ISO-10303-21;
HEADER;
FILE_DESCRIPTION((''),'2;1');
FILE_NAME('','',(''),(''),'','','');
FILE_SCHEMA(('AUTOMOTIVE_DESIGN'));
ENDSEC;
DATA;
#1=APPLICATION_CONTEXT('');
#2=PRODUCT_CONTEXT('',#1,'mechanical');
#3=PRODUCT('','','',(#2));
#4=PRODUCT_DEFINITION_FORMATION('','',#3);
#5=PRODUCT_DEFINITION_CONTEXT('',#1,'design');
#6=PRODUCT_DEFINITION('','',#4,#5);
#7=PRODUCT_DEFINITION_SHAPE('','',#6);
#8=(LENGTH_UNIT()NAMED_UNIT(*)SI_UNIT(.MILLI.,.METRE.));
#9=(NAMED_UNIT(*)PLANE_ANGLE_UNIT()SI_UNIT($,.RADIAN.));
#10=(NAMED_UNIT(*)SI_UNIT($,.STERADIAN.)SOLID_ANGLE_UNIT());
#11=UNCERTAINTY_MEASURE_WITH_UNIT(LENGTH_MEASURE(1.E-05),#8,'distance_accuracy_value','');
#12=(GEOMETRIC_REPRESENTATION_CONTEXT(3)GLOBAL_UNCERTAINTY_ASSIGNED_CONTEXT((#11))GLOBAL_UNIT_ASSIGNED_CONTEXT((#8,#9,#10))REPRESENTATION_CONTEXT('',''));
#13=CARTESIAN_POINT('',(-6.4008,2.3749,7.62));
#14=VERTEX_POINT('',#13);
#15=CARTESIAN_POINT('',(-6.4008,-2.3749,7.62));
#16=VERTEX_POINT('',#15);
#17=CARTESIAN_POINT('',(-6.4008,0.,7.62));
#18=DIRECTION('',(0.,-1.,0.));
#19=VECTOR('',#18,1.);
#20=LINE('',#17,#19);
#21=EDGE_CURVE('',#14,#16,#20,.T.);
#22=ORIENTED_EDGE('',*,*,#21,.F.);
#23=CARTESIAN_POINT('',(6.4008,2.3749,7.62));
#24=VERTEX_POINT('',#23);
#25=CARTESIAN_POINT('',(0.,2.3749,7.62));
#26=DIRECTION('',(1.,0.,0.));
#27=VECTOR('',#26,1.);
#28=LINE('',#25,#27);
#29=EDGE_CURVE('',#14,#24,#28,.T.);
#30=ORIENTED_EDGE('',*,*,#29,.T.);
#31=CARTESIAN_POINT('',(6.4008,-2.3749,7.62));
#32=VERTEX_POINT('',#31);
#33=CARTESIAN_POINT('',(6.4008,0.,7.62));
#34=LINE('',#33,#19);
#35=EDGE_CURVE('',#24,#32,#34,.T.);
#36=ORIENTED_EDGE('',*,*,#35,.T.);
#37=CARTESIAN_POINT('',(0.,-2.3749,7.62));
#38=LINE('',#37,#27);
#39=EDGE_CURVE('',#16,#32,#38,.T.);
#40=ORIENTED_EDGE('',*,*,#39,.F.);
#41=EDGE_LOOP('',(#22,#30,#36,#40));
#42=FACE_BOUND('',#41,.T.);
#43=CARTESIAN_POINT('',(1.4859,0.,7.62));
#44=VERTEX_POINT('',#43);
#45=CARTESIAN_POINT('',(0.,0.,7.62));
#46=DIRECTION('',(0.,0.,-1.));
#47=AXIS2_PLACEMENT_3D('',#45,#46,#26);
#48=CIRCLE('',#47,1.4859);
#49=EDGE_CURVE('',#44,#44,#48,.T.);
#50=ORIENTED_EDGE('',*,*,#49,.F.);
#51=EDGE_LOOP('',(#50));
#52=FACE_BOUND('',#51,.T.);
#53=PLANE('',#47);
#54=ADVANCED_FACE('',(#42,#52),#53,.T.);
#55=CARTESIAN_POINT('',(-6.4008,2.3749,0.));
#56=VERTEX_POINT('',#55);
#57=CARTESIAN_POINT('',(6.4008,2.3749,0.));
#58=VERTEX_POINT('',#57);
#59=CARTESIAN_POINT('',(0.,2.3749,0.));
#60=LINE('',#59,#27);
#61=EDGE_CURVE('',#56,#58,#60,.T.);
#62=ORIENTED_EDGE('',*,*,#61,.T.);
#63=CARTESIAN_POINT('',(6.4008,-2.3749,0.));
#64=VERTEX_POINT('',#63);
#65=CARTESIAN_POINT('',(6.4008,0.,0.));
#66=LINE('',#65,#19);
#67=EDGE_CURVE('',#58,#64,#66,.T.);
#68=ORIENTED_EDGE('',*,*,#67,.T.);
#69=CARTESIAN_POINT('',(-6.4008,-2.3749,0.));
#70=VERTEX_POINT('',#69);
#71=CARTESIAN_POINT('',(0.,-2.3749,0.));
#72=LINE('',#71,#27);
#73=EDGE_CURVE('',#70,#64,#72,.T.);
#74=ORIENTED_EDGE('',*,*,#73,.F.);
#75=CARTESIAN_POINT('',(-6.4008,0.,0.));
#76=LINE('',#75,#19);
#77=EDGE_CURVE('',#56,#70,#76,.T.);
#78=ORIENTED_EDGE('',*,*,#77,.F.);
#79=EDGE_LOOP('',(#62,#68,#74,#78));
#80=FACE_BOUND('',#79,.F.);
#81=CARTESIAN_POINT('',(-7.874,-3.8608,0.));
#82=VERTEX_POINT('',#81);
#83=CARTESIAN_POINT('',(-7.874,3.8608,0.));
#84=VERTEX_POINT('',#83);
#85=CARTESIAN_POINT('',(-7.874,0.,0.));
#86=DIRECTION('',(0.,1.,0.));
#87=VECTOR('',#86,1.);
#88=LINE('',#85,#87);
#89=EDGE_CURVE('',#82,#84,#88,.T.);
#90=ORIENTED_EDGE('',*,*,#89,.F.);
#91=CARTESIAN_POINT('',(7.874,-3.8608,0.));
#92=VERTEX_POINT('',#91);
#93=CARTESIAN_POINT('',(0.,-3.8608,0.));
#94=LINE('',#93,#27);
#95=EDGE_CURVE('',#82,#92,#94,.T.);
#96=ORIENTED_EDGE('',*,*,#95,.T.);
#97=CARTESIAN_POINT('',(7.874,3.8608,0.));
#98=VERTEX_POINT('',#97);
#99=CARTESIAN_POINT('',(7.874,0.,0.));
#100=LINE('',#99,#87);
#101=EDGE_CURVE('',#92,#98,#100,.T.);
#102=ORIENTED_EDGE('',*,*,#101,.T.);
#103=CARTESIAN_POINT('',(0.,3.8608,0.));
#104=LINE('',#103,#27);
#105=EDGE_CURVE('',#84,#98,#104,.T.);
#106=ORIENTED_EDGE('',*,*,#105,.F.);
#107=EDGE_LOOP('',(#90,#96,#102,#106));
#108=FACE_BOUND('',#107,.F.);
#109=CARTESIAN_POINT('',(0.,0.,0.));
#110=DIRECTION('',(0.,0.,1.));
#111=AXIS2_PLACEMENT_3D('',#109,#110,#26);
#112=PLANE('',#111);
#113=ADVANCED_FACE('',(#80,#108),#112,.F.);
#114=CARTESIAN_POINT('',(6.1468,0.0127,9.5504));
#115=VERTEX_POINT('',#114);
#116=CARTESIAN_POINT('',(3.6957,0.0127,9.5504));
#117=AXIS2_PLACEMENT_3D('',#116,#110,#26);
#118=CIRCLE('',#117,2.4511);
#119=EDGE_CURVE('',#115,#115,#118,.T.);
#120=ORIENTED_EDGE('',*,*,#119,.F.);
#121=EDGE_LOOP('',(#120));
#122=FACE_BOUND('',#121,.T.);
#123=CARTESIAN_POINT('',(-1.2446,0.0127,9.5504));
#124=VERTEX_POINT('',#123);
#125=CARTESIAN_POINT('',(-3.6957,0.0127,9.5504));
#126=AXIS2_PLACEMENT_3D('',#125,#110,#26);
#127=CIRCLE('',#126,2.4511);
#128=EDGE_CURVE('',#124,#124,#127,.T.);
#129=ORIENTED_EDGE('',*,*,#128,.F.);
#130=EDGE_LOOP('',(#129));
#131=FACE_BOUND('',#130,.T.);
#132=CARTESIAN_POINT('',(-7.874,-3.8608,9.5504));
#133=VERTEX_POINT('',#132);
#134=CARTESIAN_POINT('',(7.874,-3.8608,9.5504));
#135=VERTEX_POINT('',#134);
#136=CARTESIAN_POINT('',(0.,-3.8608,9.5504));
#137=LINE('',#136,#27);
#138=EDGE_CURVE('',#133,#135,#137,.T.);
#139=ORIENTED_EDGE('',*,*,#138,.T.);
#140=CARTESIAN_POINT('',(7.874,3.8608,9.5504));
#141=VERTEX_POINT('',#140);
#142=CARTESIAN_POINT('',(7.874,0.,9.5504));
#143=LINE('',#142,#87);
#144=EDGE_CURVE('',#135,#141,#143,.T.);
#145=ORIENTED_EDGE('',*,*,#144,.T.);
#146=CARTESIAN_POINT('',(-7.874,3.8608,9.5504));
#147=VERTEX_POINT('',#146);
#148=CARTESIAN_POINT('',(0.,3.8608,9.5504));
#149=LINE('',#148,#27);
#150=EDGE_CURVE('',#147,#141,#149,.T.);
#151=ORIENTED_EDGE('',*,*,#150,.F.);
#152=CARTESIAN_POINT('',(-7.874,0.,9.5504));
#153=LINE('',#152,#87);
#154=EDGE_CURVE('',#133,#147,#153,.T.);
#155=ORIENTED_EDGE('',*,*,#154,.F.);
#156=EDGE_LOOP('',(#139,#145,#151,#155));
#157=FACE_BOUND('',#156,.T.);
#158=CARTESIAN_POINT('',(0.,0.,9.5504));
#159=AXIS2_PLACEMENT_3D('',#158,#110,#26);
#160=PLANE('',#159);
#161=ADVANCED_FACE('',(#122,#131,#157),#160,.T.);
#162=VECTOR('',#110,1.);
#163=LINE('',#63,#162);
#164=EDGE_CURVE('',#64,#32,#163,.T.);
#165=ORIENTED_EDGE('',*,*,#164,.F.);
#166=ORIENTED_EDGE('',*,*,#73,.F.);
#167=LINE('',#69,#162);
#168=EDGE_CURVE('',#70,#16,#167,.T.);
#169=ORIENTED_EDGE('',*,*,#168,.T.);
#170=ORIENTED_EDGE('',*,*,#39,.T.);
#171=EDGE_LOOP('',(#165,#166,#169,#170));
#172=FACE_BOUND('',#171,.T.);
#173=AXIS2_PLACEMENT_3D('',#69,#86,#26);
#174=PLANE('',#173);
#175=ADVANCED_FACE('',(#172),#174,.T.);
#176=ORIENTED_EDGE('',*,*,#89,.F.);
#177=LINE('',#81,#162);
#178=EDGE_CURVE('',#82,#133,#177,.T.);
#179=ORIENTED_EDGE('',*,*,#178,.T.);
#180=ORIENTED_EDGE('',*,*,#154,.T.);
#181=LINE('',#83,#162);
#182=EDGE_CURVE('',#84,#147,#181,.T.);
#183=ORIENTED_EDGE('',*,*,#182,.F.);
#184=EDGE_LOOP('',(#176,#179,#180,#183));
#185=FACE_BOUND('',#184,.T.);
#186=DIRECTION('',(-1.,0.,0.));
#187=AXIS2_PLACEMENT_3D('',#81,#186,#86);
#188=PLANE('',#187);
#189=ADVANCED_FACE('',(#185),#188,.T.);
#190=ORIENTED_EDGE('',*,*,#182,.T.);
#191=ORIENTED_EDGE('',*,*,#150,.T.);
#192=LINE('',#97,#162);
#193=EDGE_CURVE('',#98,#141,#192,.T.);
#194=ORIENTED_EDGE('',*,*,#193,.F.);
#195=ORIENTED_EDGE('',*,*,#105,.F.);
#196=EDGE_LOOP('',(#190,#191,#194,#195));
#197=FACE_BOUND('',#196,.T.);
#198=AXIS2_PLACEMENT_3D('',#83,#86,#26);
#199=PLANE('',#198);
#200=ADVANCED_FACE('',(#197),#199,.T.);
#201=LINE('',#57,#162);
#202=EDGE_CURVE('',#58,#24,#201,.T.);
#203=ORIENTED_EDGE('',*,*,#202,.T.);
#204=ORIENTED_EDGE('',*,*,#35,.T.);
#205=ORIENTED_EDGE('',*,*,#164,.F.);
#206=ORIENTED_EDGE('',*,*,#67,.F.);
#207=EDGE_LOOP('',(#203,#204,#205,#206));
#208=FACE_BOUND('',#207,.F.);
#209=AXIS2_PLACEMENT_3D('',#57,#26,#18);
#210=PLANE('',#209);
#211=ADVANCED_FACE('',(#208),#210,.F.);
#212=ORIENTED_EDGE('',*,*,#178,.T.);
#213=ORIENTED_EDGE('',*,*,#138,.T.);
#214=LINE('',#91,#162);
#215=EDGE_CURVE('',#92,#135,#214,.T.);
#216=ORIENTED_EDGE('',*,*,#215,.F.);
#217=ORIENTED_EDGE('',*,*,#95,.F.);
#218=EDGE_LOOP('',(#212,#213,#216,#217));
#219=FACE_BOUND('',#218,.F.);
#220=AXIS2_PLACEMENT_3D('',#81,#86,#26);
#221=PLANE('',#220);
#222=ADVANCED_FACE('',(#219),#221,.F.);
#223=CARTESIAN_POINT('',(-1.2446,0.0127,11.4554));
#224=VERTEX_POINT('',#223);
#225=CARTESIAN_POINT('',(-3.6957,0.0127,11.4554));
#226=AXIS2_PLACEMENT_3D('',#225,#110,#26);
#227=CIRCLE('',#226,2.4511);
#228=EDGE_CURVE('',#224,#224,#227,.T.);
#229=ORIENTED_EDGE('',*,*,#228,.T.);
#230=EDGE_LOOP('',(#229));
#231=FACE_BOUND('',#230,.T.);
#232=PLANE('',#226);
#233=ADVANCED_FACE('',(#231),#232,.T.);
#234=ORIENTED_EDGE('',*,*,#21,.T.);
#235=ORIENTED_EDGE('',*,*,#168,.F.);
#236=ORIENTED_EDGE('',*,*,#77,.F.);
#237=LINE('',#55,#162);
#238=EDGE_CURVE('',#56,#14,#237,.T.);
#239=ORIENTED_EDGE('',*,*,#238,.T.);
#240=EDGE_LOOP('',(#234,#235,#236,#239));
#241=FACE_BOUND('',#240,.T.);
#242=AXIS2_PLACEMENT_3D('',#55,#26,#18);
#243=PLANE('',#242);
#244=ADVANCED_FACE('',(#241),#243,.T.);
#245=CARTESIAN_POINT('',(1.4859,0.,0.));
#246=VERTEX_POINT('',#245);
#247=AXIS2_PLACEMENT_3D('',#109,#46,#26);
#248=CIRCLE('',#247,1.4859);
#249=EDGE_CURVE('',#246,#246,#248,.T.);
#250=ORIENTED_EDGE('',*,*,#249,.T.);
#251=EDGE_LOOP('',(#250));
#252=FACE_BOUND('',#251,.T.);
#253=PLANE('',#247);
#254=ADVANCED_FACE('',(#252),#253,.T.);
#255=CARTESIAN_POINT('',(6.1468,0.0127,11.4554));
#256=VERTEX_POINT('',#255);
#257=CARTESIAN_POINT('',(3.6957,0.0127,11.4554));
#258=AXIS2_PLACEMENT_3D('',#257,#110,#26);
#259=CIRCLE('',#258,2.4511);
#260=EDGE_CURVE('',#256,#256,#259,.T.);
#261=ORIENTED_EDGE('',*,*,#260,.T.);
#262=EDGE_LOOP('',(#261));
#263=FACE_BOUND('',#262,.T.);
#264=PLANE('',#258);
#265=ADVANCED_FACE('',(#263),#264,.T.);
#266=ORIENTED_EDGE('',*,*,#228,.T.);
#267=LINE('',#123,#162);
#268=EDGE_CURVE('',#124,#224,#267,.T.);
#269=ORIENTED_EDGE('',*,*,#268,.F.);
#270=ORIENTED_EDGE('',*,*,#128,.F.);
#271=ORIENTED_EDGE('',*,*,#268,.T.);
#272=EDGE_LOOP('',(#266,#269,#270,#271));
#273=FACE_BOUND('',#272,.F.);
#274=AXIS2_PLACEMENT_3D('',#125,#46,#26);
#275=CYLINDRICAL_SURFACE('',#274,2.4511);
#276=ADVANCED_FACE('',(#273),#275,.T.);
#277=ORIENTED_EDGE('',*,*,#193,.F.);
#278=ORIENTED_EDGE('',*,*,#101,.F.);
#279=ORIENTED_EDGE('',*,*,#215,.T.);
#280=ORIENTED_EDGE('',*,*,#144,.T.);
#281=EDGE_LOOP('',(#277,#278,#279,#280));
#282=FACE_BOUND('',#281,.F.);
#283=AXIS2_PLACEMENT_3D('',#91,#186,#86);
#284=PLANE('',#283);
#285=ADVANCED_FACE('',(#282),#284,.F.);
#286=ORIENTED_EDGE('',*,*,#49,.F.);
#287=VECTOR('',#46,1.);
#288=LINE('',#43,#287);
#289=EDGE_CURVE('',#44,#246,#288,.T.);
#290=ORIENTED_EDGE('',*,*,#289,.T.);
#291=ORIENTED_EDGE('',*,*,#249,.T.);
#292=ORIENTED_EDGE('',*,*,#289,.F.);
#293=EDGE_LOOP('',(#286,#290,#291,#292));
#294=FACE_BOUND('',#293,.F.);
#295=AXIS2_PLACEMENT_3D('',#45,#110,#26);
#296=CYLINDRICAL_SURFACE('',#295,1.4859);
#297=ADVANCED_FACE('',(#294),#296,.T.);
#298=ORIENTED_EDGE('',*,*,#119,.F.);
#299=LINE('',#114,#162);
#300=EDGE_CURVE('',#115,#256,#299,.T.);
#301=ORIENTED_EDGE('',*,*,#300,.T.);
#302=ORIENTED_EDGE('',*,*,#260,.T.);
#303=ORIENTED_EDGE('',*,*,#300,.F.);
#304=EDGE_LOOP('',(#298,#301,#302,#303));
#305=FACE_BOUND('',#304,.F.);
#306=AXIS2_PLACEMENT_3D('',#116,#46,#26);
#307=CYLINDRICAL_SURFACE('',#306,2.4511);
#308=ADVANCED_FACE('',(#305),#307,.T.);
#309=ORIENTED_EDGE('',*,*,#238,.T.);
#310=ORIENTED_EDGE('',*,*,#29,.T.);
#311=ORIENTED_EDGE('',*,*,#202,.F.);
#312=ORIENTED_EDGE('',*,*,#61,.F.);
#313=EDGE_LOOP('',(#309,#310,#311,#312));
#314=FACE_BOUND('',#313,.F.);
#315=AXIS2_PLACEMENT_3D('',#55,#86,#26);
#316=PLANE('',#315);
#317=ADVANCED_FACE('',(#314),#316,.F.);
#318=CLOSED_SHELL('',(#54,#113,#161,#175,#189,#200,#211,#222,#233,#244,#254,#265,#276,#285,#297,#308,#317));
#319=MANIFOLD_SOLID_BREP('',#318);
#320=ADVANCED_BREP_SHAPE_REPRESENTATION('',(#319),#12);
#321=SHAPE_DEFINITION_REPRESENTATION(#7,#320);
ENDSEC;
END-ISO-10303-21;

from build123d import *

# Parameters (mm, degrees)
F0_W     = 15.748
F0_H     = 7.7216
F1_DEPTH = 9.5504
F2_R     = 2.4511
F3_DEPTH = 1.905
F4_R     = 2.4511
F5_DEPTH = 1.905
F6_W     = 12.8016
F6_H     = 4.7498
F7_DEPTH = 7.62
F8_R     = 1.4859
F9_DEPTH = 7.62


with BuildPart() as f1:
    # F0 (on Top) → F1 (new body)
    with BuildSketch(Plane.XY):
        Rectangle(F0_W, F0_H)
    extrude(amount=F1_DEPTH)

    # F2 (on face) → F3 (join)
    with BuildSketch(Plane.XY.offset(9.5504)):
        with Locations((-3.6957, 0.0127)):
            Circle(F2_R)
    extrude(amount=F3_DEPTH)

    # F4 (on face) → F5 (join)
    with BuildSketch(Plane.XY.offset(9.5504)):
        with Locations((3.6957, 0.0127)):
            Circle(F4_R)
    extrude(amount=F5_DEPTH)

    # F6 (on face) → F7 (cut)
    with BuildSketch(Plane(origin=(0, 0, 0), x_dir=(1, 0, 0), z_dir=(0, 0, -1))):
        Rectangle(F6_W, F6_H)
    extrude(amount=-F7_DEPTH, mode=Mode.SUBTRACT)

    # F8 (on face) → F9 (join)
    with BuildSketch(Plane(origin=(0, 0, 7.62), x_dir=(1, 0, 0), z_dir=(0, 0, -1))):
        Circle(F8_R)
    extrude(amount=F9_DEPTH)


solid = f1.part
